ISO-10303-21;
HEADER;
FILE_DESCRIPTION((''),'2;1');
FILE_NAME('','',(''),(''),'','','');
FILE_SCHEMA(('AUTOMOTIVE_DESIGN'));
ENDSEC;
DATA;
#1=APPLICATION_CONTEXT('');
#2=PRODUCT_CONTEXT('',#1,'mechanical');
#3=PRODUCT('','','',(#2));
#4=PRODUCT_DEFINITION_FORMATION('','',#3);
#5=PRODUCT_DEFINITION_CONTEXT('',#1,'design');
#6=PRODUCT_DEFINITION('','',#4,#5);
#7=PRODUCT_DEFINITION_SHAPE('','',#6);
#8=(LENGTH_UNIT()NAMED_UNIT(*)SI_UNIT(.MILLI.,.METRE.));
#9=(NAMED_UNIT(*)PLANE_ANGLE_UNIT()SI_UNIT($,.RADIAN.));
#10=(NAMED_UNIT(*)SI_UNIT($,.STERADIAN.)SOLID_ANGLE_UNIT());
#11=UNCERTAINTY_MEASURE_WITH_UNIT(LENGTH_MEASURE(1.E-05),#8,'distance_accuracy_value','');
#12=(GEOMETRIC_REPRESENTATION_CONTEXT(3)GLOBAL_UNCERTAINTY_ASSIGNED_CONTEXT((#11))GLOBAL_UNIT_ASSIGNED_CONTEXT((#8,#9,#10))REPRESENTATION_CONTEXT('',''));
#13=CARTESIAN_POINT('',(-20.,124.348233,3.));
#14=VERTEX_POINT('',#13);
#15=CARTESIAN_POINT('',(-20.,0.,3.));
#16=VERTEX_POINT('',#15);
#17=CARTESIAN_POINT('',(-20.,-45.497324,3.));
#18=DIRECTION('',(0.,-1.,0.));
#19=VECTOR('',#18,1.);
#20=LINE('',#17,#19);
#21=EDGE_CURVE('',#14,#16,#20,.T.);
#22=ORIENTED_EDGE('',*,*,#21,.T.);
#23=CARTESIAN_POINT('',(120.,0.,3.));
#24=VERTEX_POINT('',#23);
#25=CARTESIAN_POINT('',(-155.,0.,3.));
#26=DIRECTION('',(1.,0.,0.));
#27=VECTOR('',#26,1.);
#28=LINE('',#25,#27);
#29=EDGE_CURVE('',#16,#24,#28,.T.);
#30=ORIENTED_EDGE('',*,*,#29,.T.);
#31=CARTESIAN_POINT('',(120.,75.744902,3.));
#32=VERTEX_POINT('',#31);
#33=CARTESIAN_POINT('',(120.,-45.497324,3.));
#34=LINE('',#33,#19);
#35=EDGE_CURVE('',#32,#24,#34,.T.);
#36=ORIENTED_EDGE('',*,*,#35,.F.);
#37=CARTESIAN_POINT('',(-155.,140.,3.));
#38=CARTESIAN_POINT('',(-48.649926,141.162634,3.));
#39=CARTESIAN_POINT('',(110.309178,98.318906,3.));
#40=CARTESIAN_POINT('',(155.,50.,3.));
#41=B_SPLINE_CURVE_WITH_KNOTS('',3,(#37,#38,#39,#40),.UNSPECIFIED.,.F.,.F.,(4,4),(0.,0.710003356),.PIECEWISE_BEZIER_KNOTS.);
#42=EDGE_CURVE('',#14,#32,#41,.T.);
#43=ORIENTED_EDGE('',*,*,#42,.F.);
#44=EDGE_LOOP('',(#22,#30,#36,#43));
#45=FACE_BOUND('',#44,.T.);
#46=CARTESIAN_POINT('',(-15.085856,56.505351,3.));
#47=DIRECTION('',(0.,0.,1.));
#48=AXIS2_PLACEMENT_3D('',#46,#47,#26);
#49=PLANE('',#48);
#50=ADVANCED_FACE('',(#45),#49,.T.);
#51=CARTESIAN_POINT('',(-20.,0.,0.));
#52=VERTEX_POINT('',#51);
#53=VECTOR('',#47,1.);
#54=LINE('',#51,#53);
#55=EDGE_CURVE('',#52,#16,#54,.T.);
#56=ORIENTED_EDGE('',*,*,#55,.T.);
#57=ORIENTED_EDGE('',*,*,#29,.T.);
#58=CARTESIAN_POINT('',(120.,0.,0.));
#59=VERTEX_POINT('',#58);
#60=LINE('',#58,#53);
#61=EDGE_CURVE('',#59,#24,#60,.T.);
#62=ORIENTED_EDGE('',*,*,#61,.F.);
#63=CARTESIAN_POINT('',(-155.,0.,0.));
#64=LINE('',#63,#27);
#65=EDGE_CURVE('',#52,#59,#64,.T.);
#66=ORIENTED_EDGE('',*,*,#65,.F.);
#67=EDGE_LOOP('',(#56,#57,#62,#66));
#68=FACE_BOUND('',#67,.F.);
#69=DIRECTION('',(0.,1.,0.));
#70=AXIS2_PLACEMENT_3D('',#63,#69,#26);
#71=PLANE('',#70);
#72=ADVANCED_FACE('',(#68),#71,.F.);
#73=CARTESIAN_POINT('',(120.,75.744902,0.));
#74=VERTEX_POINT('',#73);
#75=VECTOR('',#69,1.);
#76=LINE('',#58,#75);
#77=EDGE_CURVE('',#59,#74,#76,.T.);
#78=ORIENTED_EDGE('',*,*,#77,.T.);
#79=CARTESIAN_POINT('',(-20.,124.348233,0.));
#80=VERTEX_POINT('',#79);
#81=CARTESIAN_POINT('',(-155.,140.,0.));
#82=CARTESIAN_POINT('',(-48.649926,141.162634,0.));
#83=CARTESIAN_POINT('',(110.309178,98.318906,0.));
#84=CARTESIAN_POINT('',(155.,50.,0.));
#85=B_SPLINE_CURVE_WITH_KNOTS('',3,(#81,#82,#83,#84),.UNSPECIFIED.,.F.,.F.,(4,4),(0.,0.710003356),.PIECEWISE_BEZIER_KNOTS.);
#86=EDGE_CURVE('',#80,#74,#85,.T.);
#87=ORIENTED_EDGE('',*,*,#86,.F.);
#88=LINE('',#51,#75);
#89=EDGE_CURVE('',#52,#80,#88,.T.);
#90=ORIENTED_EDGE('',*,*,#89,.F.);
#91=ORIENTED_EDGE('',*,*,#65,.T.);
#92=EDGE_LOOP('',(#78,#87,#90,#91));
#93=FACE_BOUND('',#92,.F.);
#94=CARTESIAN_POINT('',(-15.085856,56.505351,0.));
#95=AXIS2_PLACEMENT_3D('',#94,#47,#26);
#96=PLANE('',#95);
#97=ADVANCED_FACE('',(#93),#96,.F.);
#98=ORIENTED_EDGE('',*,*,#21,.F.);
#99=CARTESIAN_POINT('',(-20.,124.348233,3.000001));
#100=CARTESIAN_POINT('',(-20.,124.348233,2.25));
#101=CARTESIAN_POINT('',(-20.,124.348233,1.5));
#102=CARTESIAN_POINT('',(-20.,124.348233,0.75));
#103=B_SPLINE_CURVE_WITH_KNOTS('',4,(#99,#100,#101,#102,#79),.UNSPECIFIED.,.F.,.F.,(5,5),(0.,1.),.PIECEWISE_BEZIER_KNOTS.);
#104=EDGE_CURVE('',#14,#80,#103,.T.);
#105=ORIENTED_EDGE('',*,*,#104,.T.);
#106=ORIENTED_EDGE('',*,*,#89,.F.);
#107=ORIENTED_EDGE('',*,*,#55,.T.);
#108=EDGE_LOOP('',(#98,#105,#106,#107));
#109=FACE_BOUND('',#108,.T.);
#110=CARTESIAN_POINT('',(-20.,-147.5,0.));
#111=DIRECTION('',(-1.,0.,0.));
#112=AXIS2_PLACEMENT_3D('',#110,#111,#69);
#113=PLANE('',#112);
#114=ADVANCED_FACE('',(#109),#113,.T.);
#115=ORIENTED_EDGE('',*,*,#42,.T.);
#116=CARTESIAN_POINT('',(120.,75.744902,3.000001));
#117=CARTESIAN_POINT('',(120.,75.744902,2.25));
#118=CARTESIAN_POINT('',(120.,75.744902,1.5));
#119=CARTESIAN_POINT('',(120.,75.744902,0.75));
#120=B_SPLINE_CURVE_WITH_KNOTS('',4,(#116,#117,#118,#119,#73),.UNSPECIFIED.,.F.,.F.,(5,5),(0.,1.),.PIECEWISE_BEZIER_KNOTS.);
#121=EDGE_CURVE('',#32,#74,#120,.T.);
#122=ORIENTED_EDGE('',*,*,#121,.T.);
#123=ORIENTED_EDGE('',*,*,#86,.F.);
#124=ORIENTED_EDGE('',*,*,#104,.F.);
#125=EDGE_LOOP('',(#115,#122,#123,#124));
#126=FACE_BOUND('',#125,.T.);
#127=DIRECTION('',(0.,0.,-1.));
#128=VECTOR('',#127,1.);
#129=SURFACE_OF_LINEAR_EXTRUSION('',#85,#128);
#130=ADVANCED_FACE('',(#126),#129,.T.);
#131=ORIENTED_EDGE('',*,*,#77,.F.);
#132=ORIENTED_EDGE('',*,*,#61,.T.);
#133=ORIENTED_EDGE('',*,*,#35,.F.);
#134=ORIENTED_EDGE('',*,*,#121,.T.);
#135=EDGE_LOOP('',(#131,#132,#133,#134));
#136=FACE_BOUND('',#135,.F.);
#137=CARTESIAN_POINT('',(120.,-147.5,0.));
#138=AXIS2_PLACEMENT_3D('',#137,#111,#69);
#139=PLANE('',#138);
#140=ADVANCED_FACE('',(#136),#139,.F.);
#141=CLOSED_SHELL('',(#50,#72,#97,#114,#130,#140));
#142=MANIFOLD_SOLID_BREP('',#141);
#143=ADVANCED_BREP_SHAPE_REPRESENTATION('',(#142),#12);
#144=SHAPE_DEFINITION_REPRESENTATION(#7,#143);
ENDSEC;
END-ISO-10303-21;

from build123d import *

# Parameters (mm, degrees)
F1_DEPTH = 3
F2_W     = 900
F2_H     = 300
F2_W_2   = 140
F2_H_2   = 295
F3_DEPTH = 25


with BuildPart() as f1:
    # F0 (on Top) → F1 (new body)
    with BuildSketch(Plane.XY):
        with BuildLine():
            Line((-155, 140), (-155, 0))
            Line((-155, 0), (155, 0))
            Line((155, 0), (155, 50))
            add(Edge.make_bspline(
                [(-155, 140), (-48.6499257386, 141.1626338959), (110.3091782722, 98.3189062543), (155, 50)],
                knots=[0, 0, 0, 0, 0.7100033564, 0.7100033564, 0.7100033564, 0.7100033564], degree=3))
        make_face()
        with BuildLine():
            Line((155, 50), (155, 0))
            Line((155, 0), (175, 0))
            add(Edge.make_bspline(
                [(155, 50), (173.2537000506, 30.2644304257), (172.4444180727, 9.6154557541), (175, 0)],
                knots=[0.7100033564, 0.7100033564, 0.7100033564, 0.7100033564, 1, 1, 1, 1], degree=3))
        make_face()
    extrude(amount=F1_DEPTH)


with BuildPart() as f3:
    # F2 (on Top) → F3 (new body)
    with BuildSketch(Plane.XY):
        Rectangle(F2_W, F2_H)
        Rectangle(F2_W_2, F2_H_2, mode=Mode.SUBTRACT)
    extrude(amount=F3_DEPTH)


with BuildPart() as f3_1:
    # F4: moved
    add(f3.part.moved(Location((50, 0, 0))))


with BuildPart() as f1_1:
    add(f1.part)

    # F5: cut F3
    add(f3_1.part, mode=Mode.SUBTRACT)


solid = f1_1.part
